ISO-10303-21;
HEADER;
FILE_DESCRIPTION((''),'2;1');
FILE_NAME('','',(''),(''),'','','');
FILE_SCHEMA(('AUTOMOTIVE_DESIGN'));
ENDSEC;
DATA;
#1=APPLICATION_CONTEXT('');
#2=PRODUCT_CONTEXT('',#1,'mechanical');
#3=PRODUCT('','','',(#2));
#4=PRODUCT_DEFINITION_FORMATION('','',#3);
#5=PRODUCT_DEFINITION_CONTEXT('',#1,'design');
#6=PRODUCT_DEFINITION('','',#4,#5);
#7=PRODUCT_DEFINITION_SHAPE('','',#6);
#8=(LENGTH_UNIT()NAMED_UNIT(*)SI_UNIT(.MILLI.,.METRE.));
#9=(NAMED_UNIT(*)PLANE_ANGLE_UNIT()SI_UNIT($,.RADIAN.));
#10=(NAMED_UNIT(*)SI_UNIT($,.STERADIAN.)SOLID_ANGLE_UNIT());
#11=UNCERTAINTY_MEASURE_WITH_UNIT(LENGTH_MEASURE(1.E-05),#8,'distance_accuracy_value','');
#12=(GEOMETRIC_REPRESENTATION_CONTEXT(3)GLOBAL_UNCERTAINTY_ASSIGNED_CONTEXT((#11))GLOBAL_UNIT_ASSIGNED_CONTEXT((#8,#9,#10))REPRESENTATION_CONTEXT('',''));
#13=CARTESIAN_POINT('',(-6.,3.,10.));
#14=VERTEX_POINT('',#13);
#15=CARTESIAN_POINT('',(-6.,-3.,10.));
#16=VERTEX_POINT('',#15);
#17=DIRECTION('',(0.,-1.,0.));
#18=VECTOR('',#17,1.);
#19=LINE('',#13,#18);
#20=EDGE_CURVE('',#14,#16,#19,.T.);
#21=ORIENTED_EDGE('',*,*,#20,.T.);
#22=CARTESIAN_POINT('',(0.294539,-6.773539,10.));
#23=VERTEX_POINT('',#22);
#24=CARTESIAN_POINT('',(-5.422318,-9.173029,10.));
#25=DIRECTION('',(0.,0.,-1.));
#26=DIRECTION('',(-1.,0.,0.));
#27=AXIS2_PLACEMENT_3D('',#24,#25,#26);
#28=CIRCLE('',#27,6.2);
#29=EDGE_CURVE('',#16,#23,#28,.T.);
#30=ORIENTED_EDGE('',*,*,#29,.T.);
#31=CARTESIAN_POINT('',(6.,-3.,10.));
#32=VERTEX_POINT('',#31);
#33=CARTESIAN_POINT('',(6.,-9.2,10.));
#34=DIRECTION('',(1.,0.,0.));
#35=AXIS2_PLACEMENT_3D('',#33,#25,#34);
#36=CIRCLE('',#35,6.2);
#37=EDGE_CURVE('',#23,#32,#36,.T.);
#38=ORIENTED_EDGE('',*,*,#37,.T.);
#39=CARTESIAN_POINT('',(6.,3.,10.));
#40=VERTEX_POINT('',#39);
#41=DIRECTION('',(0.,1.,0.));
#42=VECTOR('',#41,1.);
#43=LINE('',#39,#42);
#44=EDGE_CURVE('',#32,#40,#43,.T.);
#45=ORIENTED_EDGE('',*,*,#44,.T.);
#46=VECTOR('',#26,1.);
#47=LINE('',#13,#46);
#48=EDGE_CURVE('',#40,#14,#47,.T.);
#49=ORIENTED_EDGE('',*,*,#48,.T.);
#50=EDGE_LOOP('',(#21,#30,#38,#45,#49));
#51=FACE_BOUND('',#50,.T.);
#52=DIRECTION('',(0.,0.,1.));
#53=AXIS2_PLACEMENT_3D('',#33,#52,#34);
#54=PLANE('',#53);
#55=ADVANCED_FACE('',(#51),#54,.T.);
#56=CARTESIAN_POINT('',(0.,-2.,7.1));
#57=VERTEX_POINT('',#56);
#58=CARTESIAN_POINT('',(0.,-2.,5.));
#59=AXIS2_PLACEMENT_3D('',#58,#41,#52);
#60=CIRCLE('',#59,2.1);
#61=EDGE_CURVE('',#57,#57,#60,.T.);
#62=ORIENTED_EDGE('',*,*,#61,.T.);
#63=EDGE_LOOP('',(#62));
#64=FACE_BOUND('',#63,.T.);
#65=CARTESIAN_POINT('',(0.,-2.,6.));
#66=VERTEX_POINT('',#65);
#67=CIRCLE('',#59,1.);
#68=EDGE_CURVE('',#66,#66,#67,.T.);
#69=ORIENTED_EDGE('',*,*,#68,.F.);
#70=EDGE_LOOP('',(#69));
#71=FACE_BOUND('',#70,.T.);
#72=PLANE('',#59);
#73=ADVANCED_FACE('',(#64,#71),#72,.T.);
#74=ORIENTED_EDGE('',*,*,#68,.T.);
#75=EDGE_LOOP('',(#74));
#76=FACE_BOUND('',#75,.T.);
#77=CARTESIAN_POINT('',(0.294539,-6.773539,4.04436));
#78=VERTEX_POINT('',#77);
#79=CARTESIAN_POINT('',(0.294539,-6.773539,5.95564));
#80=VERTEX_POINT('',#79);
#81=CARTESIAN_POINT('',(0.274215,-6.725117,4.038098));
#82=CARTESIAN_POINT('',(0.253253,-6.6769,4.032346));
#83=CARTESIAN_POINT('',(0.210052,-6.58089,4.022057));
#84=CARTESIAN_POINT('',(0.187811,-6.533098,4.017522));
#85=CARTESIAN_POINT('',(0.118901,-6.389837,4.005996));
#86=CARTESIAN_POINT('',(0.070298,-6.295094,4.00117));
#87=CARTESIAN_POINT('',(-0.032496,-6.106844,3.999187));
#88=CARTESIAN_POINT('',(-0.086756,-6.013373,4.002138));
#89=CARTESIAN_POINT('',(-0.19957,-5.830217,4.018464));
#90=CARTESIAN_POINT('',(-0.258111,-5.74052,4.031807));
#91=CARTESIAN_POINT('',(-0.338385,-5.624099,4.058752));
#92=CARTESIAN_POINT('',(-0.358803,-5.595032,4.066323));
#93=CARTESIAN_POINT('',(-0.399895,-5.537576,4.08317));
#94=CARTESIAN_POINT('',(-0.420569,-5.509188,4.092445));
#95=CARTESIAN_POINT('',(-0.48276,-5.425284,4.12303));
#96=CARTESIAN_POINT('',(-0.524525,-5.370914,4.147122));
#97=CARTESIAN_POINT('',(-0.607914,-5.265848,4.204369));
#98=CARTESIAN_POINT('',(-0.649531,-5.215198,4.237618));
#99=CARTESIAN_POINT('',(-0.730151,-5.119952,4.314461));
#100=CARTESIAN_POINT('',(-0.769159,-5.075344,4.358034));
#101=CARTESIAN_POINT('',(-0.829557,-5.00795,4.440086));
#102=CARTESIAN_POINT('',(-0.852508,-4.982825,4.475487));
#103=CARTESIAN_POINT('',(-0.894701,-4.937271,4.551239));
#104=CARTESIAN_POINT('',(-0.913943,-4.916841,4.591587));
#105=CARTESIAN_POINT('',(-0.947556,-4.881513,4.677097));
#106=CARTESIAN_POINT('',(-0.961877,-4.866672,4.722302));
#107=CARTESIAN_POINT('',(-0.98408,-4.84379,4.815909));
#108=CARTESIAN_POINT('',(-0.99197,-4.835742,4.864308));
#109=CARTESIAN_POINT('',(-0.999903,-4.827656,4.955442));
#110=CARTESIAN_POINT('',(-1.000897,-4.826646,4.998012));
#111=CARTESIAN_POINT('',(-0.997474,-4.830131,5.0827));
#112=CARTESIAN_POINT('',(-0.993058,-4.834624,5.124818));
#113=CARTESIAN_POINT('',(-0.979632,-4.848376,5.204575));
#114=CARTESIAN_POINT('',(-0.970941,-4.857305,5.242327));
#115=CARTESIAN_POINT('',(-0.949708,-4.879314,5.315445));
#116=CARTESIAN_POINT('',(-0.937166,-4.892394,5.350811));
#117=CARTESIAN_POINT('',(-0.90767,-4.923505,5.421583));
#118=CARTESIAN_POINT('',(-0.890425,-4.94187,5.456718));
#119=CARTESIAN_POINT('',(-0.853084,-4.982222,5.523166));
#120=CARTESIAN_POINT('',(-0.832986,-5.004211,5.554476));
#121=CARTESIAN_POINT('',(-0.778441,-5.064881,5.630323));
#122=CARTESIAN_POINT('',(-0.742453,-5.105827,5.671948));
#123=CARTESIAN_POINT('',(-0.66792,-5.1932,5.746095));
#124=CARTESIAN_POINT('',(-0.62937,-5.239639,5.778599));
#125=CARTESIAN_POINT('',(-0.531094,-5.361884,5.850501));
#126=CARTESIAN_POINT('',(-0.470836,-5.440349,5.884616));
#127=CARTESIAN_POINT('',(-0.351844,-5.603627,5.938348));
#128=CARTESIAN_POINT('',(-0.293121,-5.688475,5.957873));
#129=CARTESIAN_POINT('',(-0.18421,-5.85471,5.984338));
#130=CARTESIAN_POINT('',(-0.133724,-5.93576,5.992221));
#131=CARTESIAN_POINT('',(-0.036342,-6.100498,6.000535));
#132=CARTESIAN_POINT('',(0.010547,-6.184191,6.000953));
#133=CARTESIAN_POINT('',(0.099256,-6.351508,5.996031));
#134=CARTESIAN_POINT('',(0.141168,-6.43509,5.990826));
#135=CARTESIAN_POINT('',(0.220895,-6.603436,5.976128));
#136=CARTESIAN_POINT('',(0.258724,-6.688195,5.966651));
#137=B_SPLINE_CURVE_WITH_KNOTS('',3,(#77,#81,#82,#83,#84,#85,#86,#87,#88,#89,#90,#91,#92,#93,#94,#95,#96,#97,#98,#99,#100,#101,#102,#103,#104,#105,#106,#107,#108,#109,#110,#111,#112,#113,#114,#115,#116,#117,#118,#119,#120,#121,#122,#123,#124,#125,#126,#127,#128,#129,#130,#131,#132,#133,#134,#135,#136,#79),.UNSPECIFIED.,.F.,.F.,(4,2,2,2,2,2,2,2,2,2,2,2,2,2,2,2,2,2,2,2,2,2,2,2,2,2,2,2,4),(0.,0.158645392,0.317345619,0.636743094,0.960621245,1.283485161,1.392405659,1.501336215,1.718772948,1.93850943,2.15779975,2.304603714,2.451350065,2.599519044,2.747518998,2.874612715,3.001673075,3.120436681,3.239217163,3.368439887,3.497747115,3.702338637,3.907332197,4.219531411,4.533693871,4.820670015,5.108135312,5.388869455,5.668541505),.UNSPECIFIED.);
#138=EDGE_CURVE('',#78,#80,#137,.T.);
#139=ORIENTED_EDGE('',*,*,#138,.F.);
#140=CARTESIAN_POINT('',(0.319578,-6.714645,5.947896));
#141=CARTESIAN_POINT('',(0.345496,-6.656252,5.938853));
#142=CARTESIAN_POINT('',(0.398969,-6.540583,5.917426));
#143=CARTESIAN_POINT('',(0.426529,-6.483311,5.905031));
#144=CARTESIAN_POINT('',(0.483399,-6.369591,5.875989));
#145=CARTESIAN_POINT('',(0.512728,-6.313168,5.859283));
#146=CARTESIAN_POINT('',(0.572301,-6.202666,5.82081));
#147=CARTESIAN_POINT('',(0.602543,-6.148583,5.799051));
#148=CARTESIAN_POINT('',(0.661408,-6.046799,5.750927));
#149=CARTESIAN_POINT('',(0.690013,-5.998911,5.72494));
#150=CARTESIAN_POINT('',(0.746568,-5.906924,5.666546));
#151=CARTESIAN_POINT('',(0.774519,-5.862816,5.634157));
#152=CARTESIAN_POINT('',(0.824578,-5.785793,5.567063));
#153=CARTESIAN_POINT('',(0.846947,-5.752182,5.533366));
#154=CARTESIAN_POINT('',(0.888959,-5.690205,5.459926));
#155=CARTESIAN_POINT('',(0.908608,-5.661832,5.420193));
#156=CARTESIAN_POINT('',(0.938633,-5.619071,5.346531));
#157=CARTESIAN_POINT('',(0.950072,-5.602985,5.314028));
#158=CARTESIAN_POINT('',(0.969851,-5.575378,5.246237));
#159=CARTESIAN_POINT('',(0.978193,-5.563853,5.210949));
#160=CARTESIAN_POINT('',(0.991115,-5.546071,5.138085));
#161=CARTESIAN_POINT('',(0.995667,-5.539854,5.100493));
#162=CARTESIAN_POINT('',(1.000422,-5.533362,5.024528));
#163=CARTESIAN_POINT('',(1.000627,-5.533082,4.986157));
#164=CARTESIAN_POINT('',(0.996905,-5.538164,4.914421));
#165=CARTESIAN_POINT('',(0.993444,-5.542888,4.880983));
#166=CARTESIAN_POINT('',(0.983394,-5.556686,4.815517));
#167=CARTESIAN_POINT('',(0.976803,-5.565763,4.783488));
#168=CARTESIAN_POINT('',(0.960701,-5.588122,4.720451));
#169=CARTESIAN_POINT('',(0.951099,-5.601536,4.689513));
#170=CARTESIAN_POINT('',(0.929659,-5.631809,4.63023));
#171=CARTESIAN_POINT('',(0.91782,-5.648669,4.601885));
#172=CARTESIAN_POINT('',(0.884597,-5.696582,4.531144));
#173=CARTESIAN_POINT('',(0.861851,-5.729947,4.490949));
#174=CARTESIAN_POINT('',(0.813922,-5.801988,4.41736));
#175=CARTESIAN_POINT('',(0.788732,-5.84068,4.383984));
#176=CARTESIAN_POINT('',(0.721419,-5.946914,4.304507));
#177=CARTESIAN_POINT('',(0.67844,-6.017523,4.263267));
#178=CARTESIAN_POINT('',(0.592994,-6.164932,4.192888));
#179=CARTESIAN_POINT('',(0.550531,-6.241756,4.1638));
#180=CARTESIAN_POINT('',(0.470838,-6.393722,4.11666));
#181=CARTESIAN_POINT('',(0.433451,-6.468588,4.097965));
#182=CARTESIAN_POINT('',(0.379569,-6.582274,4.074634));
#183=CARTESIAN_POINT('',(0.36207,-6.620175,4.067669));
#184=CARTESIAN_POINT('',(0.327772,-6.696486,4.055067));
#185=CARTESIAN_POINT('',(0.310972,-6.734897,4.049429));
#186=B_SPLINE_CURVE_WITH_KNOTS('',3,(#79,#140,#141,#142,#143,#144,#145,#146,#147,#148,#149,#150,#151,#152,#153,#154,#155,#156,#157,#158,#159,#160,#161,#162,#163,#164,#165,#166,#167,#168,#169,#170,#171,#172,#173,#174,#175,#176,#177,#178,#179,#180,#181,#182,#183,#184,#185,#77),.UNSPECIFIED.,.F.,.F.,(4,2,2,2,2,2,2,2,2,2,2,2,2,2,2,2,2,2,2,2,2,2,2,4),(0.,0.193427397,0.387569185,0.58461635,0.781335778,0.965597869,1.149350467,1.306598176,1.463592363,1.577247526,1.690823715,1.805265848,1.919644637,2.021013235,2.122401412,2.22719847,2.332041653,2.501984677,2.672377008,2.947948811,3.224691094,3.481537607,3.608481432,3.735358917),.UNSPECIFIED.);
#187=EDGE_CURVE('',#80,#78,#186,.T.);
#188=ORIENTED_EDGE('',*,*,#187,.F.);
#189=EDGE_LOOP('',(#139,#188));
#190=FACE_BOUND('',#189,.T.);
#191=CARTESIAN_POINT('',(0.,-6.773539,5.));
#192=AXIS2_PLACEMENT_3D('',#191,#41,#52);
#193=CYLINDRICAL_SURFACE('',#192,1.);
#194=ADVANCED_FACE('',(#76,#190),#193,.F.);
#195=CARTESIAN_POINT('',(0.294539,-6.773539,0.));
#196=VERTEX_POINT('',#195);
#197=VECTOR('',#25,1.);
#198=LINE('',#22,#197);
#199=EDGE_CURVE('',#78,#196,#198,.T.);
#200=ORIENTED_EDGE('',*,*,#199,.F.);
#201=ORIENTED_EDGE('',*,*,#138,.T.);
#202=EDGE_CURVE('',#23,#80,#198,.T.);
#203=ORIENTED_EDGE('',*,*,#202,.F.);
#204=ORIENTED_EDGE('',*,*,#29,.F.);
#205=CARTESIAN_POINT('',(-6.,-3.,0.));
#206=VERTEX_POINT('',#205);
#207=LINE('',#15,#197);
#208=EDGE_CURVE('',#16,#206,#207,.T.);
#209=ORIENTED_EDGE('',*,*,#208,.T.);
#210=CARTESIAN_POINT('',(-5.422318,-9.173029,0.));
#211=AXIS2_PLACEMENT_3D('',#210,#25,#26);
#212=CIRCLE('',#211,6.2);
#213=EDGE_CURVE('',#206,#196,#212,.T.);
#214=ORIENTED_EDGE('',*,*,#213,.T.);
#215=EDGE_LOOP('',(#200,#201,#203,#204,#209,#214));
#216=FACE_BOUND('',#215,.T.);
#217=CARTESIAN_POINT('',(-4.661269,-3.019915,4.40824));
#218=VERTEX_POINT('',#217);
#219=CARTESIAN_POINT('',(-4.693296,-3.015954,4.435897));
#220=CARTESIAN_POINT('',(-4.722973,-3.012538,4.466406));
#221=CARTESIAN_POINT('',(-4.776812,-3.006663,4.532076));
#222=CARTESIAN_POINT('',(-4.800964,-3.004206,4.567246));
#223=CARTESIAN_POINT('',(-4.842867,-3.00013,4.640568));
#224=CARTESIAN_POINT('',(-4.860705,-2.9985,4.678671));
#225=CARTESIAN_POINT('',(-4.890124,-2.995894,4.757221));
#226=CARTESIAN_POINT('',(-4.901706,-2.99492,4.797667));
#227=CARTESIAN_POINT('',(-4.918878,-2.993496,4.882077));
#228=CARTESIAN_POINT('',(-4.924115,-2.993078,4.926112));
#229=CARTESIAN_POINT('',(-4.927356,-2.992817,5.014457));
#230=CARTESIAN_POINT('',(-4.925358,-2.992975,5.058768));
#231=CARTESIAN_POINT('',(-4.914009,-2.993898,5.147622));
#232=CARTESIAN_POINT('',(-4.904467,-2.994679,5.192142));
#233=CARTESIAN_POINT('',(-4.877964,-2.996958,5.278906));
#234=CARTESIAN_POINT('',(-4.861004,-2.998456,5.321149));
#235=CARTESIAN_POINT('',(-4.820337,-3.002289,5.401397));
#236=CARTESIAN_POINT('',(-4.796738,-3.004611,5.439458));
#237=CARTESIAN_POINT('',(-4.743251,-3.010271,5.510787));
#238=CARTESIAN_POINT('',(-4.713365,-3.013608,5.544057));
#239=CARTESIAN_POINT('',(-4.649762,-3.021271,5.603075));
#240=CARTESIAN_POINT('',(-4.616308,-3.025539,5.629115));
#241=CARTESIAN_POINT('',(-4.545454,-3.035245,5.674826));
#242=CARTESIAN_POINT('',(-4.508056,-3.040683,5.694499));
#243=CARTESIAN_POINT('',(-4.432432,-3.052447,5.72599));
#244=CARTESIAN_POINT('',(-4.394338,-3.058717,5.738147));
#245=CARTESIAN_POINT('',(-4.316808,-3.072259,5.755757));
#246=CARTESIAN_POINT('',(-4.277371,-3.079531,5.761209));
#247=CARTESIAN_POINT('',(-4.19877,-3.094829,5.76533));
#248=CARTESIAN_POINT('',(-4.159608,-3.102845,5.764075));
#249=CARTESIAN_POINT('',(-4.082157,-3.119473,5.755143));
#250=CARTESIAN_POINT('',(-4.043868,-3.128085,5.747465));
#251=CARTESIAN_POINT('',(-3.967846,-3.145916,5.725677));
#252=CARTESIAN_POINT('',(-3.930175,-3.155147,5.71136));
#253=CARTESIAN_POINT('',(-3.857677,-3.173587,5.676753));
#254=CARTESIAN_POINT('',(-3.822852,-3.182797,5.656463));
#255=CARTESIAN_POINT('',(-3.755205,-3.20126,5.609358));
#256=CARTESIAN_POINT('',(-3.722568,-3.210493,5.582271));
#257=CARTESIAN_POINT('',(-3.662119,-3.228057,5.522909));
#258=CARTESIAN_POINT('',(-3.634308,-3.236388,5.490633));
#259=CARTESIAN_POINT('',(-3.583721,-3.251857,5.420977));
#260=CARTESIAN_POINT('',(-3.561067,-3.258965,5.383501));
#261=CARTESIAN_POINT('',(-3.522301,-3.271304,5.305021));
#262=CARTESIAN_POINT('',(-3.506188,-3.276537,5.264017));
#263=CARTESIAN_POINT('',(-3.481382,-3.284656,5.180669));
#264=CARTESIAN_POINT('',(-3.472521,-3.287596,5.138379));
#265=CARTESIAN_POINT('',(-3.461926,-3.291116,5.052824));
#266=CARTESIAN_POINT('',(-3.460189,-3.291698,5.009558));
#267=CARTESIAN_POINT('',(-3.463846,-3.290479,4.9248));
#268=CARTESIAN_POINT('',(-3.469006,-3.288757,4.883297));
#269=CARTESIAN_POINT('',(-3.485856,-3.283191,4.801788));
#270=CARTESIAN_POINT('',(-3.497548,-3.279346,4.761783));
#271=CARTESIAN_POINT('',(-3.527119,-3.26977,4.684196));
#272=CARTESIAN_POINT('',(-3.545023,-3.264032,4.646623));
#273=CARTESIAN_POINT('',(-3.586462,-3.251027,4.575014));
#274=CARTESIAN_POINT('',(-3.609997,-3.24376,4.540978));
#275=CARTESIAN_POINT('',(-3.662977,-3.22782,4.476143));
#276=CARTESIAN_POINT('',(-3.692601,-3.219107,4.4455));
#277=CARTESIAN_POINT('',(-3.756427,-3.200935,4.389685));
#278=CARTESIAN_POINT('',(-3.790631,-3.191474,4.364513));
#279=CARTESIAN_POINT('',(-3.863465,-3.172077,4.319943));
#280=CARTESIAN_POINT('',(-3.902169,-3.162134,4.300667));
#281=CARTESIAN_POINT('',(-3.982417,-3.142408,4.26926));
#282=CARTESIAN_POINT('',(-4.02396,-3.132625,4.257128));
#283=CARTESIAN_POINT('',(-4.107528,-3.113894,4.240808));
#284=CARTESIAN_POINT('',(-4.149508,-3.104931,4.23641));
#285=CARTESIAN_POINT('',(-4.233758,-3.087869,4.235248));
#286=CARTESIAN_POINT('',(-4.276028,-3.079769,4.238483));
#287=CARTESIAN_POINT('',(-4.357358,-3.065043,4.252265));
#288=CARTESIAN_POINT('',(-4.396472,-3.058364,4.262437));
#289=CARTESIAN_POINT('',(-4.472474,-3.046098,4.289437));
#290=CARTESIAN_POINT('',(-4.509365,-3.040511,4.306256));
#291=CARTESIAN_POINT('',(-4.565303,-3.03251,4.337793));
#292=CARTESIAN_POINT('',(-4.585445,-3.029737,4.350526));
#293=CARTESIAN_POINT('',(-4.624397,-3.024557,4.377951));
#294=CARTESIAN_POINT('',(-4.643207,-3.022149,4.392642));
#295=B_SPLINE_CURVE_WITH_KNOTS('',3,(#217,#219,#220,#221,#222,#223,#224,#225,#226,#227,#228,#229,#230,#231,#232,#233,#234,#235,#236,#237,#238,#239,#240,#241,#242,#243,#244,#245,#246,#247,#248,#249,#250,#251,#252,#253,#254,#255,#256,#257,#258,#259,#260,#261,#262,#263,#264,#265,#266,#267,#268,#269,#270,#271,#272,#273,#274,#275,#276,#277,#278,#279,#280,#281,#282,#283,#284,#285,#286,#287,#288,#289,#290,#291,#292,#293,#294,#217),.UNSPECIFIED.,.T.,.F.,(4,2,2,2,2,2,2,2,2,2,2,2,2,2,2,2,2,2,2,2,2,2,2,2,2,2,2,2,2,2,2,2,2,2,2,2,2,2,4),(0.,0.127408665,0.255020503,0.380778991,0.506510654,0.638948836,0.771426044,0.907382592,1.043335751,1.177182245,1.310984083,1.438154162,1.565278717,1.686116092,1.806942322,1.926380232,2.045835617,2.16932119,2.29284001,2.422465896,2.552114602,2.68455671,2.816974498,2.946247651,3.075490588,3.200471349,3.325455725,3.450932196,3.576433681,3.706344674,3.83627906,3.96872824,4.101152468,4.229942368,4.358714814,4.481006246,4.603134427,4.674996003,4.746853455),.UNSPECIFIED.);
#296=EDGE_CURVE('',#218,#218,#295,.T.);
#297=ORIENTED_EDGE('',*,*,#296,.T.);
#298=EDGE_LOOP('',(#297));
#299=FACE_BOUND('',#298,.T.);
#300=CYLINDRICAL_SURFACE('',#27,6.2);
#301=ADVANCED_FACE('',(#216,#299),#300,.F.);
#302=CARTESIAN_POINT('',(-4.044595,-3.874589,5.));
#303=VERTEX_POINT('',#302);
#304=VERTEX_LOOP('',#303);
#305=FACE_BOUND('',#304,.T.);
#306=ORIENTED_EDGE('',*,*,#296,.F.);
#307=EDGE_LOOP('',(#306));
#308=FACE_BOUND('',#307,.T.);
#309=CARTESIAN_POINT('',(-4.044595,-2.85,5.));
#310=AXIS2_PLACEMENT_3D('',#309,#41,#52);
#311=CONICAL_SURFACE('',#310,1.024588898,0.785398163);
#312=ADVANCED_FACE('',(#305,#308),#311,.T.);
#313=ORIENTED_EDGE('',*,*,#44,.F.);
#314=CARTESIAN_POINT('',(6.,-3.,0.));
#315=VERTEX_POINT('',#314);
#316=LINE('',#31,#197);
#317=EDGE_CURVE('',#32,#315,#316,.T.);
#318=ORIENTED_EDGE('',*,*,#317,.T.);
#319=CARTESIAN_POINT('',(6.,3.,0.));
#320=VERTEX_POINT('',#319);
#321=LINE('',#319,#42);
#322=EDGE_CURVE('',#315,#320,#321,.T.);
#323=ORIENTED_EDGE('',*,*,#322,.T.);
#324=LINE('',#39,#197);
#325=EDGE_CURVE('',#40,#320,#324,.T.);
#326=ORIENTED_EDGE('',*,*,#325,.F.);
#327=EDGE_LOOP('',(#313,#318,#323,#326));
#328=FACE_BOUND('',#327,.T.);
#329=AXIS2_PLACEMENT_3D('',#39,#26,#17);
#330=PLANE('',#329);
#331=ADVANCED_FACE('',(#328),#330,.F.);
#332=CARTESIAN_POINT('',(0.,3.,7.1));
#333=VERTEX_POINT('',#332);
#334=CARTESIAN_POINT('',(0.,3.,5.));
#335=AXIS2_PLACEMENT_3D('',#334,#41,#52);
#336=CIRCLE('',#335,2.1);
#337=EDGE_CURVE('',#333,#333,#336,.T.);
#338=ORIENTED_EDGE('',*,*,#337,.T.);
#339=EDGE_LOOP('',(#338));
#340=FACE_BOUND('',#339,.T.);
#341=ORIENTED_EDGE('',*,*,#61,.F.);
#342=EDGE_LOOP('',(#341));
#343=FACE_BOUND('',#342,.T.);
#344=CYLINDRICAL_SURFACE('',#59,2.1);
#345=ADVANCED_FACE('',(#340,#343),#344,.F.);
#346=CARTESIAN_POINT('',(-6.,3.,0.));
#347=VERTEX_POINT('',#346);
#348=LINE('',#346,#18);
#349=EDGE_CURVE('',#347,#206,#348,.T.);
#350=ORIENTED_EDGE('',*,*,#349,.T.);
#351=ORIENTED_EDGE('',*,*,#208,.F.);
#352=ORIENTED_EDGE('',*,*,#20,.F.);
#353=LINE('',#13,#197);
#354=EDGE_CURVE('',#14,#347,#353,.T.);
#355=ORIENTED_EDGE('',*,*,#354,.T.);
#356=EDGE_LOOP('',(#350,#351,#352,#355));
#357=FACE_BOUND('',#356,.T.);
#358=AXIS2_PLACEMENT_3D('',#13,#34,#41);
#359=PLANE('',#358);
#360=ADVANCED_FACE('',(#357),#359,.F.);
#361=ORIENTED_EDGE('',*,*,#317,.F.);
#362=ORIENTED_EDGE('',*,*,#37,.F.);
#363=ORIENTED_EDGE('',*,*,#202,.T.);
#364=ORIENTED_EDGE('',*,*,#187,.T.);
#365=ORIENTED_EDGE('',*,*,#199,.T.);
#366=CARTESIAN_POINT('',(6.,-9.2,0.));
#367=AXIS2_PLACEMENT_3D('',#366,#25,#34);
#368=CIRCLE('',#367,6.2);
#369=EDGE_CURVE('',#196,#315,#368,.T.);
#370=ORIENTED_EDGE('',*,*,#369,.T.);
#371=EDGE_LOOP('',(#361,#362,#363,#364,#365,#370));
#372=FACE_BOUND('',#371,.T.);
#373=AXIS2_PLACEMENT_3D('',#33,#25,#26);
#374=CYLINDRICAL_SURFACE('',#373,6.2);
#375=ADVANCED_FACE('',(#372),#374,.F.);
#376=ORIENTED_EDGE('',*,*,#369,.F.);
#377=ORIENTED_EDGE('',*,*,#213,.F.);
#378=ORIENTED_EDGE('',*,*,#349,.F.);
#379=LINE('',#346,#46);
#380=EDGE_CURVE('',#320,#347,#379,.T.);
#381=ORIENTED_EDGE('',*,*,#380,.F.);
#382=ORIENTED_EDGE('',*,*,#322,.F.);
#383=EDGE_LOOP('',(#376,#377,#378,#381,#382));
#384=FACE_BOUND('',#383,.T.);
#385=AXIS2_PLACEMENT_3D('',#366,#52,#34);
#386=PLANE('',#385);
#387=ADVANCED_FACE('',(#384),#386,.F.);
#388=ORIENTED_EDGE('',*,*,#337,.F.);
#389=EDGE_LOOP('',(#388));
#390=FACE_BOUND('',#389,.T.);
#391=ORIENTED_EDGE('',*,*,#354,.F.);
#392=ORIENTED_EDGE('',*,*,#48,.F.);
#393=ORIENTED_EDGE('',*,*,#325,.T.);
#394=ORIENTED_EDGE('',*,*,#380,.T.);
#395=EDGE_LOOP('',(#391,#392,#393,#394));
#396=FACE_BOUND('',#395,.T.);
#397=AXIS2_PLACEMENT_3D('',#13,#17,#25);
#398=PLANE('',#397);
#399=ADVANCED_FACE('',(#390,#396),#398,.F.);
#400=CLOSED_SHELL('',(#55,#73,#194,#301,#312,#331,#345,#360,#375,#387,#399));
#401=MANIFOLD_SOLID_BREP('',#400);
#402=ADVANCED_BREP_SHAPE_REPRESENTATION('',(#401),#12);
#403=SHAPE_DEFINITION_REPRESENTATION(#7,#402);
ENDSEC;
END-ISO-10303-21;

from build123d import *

# Parameters (mm, degrees)
BOSS_EXTRUDE1_DEPTH = 10
SKETCH2_R           = 2.1
CUT_EXTRUDE1_DEPTH  = 5
SKETCH3_R           = 1
CUT_EXTRUDE2_DEPTH  = 13.68857754


with BuildPart() as part:
    # Sketch1 → Boss-Extrude1 (new body)
    with BuildSketch(Plane.XY):
        with BuildLine():
            Line((-6, 3), (6, 3))
            Line((6, 3), (6, -3))
            ThreePointArc((6, -3), (2.579770149, -4.028730546), (0.29453866, -6.77353943))
            ThreePointArc((0.29453866, -6.77353943), (-2.234422316, -3.85538634), (-6, -3))
            Line((-6, -3), (-6, 3))
        make_face()
    extrude(amount=BOSS_EXTRUDE1_DEPTH)

    # Sketch2 → Cut-Extrude1 (cut)
    with BuildSketch(Plane(origin=(0, 3, 0), x_dir=(1, 0, 0), z_dir=(0, 1, 0))):
        with Locations(Location((0, -5, 0), (0, 0, 270))):
            Circle(SKETCH2_R)
    extrude(amount=-CUT_EXTRUDE1_DEPTH, mode=Mode.SUBTRACT)

    # Sketch3 → Cut-Extrude2 (cut, through all)
    with BuildSketch(Plane(origin=(0, -2, 0), x_dir=(1, 0, 0), z_dir=(0, 1, 0))):
        with Locations(Location((0, -5, 0), (0, 0, 270))):
            Circle(SKETCH3_R)
    extrude(amount=-CUT_EXTRUDE2_DEPTH, mode=Mode.SUBTRACT)

    # Boss-Extrude2 cone 1 section (through the dimple's axis) → Boss-Extrude2 (revolve)
    with BuildSketch(Plane(origin=(-4.04459479, -2.85, 5), x_dir=(0, 0, 1), z_dir=(1, 0, 0))):
        Polygon((0, 0), (1.024588898, 0), (0, 1.024588898), align=None)
    revolve(axis=Axis((-4.04459479, -2.85, 5), (0, -1, 0)))


solid = part.part
